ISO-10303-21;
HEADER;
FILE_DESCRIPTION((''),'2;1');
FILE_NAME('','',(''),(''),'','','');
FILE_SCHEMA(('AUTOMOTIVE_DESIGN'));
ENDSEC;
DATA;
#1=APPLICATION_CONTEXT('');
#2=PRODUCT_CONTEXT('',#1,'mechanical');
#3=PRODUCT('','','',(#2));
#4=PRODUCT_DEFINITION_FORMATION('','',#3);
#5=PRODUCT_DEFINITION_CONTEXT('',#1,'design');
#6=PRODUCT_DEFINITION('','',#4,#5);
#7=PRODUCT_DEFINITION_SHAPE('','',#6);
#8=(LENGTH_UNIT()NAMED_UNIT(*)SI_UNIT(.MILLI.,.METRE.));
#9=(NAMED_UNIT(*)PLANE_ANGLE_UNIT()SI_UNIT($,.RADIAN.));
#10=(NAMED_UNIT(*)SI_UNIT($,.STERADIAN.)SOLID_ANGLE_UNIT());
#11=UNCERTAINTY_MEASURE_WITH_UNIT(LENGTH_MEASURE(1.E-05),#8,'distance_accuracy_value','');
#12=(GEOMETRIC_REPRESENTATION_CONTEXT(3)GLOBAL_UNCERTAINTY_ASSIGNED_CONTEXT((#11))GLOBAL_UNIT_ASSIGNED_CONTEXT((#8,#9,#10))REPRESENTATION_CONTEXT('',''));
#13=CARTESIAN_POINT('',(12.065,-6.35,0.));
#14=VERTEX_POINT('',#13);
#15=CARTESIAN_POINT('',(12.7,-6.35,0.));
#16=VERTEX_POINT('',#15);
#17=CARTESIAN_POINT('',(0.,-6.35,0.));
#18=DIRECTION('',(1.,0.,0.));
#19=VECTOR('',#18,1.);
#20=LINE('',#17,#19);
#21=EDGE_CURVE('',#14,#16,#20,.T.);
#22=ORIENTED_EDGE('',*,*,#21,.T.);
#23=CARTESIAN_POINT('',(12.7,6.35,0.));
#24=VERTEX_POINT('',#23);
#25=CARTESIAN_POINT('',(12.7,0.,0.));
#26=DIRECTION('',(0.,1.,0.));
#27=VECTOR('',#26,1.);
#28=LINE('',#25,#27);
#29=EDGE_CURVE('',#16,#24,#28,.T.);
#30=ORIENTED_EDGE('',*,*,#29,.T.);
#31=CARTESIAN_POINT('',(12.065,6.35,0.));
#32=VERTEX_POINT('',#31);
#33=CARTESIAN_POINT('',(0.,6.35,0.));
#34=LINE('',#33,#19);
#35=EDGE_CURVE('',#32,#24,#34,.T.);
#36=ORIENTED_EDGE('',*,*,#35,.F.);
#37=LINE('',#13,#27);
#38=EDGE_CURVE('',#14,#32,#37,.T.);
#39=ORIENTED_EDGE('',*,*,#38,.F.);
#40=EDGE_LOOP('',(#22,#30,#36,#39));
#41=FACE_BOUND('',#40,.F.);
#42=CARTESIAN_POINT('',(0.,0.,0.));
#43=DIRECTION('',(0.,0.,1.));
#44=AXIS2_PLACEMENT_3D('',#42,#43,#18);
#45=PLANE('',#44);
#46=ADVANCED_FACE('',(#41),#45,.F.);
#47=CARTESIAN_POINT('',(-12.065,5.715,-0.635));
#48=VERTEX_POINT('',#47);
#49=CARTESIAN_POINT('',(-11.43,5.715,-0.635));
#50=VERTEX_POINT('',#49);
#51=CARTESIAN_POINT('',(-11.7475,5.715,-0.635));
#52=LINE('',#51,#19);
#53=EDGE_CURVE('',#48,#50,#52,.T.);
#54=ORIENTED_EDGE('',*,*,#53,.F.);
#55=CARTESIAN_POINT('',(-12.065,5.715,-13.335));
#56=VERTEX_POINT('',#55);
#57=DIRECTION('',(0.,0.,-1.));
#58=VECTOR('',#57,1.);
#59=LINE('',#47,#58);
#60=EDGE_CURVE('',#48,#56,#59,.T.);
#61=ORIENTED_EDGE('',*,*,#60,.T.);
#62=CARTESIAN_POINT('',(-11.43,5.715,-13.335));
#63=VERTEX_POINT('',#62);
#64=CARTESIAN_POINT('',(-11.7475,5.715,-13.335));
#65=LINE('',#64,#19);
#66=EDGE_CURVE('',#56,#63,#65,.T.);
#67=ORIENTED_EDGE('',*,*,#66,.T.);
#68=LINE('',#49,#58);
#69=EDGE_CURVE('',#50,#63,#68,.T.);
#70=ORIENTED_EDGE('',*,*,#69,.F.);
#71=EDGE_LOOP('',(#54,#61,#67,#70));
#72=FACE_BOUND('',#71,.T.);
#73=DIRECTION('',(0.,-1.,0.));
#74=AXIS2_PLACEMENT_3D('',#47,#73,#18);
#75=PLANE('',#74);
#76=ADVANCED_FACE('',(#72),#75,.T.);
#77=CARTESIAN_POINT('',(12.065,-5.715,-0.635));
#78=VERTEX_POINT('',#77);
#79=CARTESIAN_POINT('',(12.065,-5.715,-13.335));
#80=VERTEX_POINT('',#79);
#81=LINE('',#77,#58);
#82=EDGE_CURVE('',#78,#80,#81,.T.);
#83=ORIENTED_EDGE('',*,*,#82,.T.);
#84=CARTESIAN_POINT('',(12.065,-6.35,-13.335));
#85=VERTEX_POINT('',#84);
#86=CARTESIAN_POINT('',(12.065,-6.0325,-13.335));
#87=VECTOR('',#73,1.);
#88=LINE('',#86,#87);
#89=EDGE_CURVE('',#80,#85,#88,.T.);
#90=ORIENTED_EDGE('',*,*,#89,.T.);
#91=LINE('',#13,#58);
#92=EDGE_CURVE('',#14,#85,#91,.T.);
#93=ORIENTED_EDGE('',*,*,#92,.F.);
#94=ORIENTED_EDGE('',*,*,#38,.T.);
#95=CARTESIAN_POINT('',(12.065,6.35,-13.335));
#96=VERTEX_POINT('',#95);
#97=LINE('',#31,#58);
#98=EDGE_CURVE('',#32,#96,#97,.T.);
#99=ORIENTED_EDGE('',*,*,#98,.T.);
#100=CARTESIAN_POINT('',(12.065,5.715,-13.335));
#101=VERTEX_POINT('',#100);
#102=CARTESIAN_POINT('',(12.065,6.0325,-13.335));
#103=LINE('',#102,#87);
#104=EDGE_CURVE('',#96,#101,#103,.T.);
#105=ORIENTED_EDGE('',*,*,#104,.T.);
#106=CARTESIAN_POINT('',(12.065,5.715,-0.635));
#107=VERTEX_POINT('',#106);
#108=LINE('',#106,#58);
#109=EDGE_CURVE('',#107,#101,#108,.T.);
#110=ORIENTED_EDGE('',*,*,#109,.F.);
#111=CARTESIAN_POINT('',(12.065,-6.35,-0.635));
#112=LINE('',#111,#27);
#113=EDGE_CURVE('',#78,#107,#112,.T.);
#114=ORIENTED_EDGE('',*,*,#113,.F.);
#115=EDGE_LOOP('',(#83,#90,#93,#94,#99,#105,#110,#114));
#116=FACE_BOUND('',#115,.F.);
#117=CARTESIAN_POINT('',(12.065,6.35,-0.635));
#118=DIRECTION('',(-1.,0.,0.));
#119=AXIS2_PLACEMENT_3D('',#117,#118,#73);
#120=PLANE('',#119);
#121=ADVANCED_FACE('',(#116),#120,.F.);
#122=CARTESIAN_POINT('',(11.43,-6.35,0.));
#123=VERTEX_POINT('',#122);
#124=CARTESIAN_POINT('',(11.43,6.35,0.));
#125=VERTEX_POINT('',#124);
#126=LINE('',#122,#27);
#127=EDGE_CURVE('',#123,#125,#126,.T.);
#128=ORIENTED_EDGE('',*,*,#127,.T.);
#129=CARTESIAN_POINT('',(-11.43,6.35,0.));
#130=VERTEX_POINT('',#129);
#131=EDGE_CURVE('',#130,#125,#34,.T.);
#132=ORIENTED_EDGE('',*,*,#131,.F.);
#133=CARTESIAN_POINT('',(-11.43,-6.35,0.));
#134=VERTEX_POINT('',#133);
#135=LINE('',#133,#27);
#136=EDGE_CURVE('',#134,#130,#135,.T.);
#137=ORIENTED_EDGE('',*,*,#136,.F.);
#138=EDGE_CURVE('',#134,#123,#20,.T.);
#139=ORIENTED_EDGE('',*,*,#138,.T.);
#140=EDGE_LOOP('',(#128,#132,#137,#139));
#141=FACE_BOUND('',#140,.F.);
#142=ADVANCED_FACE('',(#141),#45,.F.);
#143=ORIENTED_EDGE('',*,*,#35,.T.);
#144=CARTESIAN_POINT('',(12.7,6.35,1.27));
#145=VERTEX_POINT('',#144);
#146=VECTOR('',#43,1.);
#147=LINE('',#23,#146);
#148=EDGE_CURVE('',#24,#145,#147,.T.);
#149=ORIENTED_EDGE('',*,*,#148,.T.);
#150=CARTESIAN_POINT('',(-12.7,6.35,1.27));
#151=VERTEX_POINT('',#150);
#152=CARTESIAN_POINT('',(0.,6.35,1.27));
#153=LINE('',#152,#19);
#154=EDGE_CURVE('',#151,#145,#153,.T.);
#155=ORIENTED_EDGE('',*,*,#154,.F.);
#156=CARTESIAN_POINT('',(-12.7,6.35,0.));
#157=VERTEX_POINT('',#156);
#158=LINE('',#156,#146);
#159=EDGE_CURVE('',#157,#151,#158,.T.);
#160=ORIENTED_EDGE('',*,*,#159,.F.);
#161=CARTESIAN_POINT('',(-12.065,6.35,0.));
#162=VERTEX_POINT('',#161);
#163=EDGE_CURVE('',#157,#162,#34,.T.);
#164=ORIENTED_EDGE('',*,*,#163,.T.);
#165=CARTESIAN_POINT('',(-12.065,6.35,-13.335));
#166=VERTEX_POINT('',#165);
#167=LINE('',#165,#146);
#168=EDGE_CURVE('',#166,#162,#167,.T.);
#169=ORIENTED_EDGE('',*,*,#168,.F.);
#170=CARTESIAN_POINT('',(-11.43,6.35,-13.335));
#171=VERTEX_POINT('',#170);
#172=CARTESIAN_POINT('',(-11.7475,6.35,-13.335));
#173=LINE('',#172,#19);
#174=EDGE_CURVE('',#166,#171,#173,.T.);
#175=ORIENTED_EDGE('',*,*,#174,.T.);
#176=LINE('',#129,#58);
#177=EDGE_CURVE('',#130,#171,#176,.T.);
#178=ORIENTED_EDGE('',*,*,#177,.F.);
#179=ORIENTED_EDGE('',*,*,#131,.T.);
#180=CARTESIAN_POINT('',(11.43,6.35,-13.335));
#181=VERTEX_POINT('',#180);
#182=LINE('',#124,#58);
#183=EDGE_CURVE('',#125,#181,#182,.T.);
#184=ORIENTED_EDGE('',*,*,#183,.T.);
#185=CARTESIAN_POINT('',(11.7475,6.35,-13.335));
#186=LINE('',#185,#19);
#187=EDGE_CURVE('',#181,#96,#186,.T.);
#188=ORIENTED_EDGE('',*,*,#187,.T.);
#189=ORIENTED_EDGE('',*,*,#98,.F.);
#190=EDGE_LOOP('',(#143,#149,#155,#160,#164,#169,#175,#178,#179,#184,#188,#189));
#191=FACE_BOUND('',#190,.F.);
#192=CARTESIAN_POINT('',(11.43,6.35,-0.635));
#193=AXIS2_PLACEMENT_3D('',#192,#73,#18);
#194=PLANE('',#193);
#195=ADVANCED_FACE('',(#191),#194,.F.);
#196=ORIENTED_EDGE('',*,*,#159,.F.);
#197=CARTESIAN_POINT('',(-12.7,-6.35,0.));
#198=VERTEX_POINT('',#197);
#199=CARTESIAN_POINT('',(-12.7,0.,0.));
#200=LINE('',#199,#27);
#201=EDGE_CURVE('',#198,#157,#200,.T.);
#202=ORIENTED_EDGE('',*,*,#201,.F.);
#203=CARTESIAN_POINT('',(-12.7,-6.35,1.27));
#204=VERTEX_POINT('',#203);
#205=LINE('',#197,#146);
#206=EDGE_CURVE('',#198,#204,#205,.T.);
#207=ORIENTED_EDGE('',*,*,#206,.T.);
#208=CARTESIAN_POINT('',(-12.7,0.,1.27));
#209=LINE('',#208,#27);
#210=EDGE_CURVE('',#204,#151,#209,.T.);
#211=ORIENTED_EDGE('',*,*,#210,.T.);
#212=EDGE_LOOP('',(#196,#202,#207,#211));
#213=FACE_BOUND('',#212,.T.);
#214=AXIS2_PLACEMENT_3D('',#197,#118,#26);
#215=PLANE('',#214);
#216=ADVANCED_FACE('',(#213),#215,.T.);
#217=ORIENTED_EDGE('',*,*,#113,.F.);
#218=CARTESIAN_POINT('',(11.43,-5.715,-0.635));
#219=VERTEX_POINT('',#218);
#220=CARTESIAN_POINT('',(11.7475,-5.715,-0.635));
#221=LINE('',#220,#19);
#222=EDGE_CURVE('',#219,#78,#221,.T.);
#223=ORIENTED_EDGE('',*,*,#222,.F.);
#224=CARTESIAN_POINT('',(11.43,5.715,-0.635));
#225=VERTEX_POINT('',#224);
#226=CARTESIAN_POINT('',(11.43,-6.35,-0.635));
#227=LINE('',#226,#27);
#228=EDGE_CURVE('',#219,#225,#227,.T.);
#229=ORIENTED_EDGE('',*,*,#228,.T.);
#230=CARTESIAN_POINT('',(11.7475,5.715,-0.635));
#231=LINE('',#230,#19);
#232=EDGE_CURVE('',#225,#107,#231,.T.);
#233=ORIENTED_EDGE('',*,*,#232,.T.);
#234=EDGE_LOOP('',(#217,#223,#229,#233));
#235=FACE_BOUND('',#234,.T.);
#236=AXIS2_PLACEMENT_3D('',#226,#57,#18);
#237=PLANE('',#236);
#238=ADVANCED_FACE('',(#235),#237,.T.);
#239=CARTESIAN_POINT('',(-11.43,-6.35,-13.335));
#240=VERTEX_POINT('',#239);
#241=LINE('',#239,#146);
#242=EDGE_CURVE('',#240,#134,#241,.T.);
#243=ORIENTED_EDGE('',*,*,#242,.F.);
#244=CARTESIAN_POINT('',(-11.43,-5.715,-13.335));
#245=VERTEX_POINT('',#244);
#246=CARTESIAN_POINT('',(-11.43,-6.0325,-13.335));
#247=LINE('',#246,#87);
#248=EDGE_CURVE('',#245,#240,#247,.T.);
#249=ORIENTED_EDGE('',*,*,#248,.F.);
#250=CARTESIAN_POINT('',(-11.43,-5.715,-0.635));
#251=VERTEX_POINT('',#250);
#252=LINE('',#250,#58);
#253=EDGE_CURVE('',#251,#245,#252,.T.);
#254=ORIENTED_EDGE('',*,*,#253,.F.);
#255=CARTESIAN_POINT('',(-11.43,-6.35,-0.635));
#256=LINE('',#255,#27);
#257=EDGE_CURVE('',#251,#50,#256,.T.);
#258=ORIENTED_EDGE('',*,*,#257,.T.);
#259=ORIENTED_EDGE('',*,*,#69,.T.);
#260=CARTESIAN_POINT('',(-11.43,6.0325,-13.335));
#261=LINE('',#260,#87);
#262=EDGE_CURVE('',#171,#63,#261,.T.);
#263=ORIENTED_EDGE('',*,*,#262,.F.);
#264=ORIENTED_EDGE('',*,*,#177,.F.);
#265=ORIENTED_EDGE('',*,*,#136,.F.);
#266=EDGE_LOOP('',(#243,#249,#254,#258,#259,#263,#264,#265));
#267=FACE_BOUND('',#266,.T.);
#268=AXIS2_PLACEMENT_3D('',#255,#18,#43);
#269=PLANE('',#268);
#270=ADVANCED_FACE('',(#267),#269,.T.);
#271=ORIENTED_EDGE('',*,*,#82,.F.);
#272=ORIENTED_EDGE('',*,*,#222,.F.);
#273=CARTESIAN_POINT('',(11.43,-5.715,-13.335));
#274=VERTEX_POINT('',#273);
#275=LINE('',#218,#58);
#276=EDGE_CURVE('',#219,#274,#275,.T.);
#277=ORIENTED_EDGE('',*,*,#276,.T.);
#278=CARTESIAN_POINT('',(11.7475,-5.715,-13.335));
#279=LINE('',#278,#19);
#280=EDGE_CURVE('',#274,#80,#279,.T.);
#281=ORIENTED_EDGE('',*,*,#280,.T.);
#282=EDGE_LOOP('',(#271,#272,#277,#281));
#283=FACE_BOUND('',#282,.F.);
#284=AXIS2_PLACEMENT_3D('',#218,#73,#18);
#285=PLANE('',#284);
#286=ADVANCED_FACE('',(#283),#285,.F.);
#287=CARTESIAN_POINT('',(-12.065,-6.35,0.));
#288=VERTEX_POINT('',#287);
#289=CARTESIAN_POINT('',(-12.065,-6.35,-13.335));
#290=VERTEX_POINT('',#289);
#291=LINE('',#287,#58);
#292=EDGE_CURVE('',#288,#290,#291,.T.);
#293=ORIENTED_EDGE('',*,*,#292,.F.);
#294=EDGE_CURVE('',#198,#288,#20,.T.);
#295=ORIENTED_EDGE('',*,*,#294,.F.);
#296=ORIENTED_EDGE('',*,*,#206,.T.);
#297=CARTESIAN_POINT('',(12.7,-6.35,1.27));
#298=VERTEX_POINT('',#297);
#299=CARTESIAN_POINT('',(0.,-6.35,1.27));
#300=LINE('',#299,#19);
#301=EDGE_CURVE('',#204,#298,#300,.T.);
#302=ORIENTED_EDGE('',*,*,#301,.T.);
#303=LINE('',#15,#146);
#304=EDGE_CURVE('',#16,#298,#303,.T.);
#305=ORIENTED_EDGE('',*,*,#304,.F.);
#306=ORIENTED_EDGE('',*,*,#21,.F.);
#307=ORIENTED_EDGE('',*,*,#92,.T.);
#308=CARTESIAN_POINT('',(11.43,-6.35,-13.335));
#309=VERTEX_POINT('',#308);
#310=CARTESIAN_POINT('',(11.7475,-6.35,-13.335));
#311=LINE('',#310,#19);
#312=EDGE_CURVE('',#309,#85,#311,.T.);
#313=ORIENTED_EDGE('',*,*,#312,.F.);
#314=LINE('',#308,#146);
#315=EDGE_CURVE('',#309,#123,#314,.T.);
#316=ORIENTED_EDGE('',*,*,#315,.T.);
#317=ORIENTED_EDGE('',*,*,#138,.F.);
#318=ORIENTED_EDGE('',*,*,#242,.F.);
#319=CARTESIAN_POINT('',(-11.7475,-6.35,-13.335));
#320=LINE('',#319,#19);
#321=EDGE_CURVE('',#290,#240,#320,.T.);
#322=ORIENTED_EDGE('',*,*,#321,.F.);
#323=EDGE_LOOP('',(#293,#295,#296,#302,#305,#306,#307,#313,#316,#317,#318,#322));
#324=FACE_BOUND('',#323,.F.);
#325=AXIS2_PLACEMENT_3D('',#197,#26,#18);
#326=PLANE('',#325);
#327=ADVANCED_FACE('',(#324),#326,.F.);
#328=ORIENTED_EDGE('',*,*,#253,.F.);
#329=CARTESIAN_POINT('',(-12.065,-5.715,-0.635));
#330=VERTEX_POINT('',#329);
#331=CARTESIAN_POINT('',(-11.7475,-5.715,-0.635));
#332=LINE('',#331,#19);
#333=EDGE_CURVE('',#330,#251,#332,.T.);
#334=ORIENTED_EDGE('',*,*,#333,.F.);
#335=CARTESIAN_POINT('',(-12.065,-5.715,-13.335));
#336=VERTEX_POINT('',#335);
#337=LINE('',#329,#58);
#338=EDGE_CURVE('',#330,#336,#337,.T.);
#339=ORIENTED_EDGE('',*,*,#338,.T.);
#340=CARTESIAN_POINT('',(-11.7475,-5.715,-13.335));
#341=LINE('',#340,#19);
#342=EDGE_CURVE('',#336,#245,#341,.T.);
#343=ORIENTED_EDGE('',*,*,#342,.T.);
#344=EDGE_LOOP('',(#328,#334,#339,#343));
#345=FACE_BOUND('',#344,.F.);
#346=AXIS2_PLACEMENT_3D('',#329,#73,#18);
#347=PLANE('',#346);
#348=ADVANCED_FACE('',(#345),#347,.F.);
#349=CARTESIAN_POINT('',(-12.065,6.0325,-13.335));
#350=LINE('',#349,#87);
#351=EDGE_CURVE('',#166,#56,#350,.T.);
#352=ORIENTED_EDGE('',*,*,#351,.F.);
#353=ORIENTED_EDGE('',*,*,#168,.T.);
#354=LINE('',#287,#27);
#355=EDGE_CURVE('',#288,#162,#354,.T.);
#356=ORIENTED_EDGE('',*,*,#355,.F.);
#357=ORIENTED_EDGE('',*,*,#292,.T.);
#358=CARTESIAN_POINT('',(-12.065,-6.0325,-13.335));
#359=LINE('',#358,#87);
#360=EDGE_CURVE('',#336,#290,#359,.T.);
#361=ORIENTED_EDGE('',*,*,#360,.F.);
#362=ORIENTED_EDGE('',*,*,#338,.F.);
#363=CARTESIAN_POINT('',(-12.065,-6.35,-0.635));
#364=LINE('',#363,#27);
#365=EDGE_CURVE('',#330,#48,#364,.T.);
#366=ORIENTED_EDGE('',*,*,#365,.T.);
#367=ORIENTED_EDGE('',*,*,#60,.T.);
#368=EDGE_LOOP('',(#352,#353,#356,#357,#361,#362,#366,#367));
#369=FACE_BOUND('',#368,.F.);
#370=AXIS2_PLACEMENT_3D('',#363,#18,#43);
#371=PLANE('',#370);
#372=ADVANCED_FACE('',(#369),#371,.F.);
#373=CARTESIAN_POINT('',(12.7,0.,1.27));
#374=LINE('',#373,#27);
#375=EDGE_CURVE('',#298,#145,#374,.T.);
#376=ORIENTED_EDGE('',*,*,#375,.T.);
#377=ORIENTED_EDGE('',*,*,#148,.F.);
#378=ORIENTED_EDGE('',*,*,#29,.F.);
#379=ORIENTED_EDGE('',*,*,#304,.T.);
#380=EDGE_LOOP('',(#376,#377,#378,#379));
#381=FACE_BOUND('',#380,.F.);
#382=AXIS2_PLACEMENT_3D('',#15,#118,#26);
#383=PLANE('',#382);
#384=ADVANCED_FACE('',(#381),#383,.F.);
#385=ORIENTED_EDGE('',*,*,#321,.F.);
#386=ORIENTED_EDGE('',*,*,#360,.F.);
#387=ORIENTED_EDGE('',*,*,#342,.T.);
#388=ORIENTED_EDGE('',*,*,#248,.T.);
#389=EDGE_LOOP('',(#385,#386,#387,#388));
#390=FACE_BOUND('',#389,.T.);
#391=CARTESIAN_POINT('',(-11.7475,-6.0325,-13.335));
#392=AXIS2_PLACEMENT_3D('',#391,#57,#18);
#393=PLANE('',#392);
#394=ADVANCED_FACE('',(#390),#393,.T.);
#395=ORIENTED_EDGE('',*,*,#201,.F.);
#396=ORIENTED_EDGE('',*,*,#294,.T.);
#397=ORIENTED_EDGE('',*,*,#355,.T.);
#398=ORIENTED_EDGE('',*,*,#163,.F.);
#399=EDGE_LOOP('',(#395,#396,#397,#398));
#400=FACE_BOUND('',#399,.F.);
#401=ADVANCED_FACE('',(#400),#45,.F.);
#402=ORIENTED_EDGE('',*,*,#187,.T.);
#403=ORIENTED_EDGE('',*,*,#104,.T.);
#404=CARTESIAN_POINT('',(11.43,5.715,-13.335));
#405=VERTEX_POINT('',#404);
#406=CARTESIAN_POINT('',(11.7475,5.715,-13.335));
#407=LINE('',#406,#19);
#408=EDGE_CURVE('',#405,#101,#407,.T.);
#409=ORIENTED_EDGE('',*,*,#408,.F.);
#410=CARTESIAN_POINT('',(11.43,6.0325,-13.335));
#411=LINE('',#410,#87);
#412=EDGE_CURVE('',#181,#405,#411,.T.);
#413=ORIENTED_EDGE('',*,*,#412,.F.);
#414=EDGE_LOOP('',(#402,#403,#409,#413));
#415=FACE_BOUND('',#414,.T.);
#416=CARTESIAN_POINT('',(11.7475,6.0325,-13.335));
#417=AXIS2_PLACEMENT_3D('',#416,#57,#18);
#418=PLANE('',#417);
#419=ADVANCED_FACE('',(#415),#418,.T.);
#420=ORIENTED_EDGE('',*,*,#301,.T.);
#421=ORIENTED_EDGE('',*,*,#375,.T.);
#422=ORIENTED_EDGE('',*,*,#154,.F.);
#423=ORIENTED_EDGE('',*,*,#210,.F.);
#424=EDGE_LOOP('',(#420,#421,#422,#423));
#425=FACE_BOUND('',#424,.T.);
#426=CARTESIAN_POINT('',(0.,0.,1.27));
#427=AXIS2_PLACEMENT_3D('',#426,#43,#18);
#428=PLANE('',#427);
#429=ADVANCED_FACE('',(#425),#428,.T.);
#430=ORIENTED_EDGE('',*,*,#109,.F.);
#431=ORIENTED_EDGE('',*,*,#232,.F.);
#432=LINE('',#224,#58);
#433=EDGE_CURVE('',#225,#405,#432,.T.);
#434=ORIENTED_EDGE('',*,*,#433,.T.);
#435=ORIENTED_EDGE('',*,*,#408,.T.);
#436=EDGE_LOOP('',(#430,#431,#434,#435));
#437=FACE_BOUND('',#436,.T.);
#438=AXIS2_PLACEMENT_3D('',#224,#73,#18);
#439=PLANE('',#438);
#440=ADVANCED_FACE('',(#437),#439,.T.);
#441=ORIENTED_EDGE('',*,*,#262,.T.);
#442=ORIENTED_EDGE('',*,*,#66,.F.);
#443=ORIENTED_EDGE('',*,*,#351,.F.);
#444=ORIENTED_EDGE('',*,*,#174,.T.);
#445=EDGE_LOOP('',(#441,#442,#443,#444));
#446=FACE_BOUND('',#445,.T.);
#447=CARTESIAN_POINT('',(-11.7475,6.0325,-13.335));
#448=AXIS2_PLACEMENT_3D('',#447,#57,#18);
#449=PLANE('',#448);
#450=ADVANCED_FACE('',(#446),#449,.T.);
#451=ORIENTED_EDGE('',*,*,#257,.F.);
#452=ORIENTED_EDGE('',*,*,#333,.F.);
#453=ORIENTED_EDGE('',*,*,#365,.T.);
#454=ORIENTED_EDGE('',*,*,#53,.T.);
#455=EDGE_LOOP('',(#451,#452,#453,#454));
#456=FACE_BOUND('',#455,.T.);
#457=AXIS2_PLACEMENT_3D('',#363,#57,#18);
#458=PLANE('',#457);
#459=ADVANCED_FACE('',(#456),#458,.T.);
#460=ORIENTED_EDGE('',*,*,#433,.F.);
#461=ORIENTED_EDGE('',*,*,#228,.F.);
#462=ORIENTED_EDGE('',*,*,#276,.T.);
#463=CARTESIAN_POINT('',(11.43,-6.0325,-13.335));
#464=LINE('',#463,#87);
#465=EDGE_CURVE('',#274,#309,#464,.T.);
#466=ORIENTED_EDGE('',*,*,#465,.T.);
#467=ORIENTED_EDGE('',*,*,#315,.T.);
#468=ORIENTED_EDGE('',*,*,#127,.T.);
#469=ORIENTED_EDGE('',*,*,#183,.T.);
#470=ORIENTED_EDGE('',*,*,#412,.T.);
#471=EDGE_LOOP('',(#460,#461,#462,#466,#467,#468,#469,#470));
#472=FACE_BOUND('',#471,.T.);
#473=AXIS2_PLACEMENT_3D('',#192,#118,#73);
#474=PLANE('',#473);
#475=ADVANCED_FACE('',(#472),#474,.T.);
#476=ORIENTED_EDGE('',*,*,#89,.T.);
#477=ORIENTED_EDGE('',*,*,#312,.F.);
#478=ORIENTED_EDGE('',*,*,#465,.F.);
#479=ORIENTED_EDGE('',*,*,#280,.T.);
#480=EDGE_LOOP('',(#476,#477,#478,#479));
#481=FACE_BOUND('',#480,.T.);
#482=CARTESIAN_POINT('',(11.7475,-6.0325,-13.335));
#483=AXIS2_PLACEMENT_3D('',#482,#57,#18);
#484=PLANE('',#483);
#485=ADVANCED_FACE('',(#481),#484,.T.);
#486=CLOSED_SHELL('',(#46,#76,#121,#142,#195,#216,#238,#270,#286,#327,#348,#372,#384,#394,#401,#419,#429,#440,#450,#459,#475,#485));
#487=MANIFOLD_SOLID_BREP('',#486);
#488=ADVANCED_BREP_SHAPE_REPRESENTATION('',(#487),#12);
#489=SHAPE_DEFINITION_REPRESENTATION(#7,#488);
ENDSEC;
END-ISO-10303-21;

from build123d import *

# Parameters (mm, degrees)
F0_W     = 25.4
F0_H     = 12.7
F1_DEPTH = 1.27
F2_W     = 0.635
F2_H     = 0.635
F3_DEPTH = 12.7
F4_W     = 0.635
F4_H     = 0.635
F5_DEPTH = 12.7


with BuildPart() as f1:
    # F0 (on Top) → F1 (new body)
    with BuildSketch(Plane.XY):
        Rectangle(F0_W, F0_H)
    extrude(amount=F1_DEPTH)

    # F2 (on face) → F3 (join)
    with BuildSketch(Plane.XZ.offset(6.35)):
        with Locations((-11.7475, -0.3175)):
            Rectangle(F2_W, F2_H)
        with Locations((11.7475, -0.3175)):
            Rectangle(F2_W, F2_H)
    extrude(amount=-F3_DEPTH)

    # F4 (on face) → F5 (join)
    with BuildSketch(Plane(origin=(0, 0, -0.635), x_dir=(1, 0, 0), z_dir=(0, 0, -1))):
        with Locations((11.7475, -6.0325)):
            Rectangle(F4_W, F4_H)
        with Locations((11.7475, 6.0325)):
            Rectangle(F4_W, F4_H)
        with Locations((-11.7475, -6.0325)):
            Rectangle(F4_W, F4_H)
        with Locations((-11.7475, 6.0325)):
            Rectangle(F4_W, F4_H)
    extrude(amount=F5_DEPTH)


solid = f1.part
